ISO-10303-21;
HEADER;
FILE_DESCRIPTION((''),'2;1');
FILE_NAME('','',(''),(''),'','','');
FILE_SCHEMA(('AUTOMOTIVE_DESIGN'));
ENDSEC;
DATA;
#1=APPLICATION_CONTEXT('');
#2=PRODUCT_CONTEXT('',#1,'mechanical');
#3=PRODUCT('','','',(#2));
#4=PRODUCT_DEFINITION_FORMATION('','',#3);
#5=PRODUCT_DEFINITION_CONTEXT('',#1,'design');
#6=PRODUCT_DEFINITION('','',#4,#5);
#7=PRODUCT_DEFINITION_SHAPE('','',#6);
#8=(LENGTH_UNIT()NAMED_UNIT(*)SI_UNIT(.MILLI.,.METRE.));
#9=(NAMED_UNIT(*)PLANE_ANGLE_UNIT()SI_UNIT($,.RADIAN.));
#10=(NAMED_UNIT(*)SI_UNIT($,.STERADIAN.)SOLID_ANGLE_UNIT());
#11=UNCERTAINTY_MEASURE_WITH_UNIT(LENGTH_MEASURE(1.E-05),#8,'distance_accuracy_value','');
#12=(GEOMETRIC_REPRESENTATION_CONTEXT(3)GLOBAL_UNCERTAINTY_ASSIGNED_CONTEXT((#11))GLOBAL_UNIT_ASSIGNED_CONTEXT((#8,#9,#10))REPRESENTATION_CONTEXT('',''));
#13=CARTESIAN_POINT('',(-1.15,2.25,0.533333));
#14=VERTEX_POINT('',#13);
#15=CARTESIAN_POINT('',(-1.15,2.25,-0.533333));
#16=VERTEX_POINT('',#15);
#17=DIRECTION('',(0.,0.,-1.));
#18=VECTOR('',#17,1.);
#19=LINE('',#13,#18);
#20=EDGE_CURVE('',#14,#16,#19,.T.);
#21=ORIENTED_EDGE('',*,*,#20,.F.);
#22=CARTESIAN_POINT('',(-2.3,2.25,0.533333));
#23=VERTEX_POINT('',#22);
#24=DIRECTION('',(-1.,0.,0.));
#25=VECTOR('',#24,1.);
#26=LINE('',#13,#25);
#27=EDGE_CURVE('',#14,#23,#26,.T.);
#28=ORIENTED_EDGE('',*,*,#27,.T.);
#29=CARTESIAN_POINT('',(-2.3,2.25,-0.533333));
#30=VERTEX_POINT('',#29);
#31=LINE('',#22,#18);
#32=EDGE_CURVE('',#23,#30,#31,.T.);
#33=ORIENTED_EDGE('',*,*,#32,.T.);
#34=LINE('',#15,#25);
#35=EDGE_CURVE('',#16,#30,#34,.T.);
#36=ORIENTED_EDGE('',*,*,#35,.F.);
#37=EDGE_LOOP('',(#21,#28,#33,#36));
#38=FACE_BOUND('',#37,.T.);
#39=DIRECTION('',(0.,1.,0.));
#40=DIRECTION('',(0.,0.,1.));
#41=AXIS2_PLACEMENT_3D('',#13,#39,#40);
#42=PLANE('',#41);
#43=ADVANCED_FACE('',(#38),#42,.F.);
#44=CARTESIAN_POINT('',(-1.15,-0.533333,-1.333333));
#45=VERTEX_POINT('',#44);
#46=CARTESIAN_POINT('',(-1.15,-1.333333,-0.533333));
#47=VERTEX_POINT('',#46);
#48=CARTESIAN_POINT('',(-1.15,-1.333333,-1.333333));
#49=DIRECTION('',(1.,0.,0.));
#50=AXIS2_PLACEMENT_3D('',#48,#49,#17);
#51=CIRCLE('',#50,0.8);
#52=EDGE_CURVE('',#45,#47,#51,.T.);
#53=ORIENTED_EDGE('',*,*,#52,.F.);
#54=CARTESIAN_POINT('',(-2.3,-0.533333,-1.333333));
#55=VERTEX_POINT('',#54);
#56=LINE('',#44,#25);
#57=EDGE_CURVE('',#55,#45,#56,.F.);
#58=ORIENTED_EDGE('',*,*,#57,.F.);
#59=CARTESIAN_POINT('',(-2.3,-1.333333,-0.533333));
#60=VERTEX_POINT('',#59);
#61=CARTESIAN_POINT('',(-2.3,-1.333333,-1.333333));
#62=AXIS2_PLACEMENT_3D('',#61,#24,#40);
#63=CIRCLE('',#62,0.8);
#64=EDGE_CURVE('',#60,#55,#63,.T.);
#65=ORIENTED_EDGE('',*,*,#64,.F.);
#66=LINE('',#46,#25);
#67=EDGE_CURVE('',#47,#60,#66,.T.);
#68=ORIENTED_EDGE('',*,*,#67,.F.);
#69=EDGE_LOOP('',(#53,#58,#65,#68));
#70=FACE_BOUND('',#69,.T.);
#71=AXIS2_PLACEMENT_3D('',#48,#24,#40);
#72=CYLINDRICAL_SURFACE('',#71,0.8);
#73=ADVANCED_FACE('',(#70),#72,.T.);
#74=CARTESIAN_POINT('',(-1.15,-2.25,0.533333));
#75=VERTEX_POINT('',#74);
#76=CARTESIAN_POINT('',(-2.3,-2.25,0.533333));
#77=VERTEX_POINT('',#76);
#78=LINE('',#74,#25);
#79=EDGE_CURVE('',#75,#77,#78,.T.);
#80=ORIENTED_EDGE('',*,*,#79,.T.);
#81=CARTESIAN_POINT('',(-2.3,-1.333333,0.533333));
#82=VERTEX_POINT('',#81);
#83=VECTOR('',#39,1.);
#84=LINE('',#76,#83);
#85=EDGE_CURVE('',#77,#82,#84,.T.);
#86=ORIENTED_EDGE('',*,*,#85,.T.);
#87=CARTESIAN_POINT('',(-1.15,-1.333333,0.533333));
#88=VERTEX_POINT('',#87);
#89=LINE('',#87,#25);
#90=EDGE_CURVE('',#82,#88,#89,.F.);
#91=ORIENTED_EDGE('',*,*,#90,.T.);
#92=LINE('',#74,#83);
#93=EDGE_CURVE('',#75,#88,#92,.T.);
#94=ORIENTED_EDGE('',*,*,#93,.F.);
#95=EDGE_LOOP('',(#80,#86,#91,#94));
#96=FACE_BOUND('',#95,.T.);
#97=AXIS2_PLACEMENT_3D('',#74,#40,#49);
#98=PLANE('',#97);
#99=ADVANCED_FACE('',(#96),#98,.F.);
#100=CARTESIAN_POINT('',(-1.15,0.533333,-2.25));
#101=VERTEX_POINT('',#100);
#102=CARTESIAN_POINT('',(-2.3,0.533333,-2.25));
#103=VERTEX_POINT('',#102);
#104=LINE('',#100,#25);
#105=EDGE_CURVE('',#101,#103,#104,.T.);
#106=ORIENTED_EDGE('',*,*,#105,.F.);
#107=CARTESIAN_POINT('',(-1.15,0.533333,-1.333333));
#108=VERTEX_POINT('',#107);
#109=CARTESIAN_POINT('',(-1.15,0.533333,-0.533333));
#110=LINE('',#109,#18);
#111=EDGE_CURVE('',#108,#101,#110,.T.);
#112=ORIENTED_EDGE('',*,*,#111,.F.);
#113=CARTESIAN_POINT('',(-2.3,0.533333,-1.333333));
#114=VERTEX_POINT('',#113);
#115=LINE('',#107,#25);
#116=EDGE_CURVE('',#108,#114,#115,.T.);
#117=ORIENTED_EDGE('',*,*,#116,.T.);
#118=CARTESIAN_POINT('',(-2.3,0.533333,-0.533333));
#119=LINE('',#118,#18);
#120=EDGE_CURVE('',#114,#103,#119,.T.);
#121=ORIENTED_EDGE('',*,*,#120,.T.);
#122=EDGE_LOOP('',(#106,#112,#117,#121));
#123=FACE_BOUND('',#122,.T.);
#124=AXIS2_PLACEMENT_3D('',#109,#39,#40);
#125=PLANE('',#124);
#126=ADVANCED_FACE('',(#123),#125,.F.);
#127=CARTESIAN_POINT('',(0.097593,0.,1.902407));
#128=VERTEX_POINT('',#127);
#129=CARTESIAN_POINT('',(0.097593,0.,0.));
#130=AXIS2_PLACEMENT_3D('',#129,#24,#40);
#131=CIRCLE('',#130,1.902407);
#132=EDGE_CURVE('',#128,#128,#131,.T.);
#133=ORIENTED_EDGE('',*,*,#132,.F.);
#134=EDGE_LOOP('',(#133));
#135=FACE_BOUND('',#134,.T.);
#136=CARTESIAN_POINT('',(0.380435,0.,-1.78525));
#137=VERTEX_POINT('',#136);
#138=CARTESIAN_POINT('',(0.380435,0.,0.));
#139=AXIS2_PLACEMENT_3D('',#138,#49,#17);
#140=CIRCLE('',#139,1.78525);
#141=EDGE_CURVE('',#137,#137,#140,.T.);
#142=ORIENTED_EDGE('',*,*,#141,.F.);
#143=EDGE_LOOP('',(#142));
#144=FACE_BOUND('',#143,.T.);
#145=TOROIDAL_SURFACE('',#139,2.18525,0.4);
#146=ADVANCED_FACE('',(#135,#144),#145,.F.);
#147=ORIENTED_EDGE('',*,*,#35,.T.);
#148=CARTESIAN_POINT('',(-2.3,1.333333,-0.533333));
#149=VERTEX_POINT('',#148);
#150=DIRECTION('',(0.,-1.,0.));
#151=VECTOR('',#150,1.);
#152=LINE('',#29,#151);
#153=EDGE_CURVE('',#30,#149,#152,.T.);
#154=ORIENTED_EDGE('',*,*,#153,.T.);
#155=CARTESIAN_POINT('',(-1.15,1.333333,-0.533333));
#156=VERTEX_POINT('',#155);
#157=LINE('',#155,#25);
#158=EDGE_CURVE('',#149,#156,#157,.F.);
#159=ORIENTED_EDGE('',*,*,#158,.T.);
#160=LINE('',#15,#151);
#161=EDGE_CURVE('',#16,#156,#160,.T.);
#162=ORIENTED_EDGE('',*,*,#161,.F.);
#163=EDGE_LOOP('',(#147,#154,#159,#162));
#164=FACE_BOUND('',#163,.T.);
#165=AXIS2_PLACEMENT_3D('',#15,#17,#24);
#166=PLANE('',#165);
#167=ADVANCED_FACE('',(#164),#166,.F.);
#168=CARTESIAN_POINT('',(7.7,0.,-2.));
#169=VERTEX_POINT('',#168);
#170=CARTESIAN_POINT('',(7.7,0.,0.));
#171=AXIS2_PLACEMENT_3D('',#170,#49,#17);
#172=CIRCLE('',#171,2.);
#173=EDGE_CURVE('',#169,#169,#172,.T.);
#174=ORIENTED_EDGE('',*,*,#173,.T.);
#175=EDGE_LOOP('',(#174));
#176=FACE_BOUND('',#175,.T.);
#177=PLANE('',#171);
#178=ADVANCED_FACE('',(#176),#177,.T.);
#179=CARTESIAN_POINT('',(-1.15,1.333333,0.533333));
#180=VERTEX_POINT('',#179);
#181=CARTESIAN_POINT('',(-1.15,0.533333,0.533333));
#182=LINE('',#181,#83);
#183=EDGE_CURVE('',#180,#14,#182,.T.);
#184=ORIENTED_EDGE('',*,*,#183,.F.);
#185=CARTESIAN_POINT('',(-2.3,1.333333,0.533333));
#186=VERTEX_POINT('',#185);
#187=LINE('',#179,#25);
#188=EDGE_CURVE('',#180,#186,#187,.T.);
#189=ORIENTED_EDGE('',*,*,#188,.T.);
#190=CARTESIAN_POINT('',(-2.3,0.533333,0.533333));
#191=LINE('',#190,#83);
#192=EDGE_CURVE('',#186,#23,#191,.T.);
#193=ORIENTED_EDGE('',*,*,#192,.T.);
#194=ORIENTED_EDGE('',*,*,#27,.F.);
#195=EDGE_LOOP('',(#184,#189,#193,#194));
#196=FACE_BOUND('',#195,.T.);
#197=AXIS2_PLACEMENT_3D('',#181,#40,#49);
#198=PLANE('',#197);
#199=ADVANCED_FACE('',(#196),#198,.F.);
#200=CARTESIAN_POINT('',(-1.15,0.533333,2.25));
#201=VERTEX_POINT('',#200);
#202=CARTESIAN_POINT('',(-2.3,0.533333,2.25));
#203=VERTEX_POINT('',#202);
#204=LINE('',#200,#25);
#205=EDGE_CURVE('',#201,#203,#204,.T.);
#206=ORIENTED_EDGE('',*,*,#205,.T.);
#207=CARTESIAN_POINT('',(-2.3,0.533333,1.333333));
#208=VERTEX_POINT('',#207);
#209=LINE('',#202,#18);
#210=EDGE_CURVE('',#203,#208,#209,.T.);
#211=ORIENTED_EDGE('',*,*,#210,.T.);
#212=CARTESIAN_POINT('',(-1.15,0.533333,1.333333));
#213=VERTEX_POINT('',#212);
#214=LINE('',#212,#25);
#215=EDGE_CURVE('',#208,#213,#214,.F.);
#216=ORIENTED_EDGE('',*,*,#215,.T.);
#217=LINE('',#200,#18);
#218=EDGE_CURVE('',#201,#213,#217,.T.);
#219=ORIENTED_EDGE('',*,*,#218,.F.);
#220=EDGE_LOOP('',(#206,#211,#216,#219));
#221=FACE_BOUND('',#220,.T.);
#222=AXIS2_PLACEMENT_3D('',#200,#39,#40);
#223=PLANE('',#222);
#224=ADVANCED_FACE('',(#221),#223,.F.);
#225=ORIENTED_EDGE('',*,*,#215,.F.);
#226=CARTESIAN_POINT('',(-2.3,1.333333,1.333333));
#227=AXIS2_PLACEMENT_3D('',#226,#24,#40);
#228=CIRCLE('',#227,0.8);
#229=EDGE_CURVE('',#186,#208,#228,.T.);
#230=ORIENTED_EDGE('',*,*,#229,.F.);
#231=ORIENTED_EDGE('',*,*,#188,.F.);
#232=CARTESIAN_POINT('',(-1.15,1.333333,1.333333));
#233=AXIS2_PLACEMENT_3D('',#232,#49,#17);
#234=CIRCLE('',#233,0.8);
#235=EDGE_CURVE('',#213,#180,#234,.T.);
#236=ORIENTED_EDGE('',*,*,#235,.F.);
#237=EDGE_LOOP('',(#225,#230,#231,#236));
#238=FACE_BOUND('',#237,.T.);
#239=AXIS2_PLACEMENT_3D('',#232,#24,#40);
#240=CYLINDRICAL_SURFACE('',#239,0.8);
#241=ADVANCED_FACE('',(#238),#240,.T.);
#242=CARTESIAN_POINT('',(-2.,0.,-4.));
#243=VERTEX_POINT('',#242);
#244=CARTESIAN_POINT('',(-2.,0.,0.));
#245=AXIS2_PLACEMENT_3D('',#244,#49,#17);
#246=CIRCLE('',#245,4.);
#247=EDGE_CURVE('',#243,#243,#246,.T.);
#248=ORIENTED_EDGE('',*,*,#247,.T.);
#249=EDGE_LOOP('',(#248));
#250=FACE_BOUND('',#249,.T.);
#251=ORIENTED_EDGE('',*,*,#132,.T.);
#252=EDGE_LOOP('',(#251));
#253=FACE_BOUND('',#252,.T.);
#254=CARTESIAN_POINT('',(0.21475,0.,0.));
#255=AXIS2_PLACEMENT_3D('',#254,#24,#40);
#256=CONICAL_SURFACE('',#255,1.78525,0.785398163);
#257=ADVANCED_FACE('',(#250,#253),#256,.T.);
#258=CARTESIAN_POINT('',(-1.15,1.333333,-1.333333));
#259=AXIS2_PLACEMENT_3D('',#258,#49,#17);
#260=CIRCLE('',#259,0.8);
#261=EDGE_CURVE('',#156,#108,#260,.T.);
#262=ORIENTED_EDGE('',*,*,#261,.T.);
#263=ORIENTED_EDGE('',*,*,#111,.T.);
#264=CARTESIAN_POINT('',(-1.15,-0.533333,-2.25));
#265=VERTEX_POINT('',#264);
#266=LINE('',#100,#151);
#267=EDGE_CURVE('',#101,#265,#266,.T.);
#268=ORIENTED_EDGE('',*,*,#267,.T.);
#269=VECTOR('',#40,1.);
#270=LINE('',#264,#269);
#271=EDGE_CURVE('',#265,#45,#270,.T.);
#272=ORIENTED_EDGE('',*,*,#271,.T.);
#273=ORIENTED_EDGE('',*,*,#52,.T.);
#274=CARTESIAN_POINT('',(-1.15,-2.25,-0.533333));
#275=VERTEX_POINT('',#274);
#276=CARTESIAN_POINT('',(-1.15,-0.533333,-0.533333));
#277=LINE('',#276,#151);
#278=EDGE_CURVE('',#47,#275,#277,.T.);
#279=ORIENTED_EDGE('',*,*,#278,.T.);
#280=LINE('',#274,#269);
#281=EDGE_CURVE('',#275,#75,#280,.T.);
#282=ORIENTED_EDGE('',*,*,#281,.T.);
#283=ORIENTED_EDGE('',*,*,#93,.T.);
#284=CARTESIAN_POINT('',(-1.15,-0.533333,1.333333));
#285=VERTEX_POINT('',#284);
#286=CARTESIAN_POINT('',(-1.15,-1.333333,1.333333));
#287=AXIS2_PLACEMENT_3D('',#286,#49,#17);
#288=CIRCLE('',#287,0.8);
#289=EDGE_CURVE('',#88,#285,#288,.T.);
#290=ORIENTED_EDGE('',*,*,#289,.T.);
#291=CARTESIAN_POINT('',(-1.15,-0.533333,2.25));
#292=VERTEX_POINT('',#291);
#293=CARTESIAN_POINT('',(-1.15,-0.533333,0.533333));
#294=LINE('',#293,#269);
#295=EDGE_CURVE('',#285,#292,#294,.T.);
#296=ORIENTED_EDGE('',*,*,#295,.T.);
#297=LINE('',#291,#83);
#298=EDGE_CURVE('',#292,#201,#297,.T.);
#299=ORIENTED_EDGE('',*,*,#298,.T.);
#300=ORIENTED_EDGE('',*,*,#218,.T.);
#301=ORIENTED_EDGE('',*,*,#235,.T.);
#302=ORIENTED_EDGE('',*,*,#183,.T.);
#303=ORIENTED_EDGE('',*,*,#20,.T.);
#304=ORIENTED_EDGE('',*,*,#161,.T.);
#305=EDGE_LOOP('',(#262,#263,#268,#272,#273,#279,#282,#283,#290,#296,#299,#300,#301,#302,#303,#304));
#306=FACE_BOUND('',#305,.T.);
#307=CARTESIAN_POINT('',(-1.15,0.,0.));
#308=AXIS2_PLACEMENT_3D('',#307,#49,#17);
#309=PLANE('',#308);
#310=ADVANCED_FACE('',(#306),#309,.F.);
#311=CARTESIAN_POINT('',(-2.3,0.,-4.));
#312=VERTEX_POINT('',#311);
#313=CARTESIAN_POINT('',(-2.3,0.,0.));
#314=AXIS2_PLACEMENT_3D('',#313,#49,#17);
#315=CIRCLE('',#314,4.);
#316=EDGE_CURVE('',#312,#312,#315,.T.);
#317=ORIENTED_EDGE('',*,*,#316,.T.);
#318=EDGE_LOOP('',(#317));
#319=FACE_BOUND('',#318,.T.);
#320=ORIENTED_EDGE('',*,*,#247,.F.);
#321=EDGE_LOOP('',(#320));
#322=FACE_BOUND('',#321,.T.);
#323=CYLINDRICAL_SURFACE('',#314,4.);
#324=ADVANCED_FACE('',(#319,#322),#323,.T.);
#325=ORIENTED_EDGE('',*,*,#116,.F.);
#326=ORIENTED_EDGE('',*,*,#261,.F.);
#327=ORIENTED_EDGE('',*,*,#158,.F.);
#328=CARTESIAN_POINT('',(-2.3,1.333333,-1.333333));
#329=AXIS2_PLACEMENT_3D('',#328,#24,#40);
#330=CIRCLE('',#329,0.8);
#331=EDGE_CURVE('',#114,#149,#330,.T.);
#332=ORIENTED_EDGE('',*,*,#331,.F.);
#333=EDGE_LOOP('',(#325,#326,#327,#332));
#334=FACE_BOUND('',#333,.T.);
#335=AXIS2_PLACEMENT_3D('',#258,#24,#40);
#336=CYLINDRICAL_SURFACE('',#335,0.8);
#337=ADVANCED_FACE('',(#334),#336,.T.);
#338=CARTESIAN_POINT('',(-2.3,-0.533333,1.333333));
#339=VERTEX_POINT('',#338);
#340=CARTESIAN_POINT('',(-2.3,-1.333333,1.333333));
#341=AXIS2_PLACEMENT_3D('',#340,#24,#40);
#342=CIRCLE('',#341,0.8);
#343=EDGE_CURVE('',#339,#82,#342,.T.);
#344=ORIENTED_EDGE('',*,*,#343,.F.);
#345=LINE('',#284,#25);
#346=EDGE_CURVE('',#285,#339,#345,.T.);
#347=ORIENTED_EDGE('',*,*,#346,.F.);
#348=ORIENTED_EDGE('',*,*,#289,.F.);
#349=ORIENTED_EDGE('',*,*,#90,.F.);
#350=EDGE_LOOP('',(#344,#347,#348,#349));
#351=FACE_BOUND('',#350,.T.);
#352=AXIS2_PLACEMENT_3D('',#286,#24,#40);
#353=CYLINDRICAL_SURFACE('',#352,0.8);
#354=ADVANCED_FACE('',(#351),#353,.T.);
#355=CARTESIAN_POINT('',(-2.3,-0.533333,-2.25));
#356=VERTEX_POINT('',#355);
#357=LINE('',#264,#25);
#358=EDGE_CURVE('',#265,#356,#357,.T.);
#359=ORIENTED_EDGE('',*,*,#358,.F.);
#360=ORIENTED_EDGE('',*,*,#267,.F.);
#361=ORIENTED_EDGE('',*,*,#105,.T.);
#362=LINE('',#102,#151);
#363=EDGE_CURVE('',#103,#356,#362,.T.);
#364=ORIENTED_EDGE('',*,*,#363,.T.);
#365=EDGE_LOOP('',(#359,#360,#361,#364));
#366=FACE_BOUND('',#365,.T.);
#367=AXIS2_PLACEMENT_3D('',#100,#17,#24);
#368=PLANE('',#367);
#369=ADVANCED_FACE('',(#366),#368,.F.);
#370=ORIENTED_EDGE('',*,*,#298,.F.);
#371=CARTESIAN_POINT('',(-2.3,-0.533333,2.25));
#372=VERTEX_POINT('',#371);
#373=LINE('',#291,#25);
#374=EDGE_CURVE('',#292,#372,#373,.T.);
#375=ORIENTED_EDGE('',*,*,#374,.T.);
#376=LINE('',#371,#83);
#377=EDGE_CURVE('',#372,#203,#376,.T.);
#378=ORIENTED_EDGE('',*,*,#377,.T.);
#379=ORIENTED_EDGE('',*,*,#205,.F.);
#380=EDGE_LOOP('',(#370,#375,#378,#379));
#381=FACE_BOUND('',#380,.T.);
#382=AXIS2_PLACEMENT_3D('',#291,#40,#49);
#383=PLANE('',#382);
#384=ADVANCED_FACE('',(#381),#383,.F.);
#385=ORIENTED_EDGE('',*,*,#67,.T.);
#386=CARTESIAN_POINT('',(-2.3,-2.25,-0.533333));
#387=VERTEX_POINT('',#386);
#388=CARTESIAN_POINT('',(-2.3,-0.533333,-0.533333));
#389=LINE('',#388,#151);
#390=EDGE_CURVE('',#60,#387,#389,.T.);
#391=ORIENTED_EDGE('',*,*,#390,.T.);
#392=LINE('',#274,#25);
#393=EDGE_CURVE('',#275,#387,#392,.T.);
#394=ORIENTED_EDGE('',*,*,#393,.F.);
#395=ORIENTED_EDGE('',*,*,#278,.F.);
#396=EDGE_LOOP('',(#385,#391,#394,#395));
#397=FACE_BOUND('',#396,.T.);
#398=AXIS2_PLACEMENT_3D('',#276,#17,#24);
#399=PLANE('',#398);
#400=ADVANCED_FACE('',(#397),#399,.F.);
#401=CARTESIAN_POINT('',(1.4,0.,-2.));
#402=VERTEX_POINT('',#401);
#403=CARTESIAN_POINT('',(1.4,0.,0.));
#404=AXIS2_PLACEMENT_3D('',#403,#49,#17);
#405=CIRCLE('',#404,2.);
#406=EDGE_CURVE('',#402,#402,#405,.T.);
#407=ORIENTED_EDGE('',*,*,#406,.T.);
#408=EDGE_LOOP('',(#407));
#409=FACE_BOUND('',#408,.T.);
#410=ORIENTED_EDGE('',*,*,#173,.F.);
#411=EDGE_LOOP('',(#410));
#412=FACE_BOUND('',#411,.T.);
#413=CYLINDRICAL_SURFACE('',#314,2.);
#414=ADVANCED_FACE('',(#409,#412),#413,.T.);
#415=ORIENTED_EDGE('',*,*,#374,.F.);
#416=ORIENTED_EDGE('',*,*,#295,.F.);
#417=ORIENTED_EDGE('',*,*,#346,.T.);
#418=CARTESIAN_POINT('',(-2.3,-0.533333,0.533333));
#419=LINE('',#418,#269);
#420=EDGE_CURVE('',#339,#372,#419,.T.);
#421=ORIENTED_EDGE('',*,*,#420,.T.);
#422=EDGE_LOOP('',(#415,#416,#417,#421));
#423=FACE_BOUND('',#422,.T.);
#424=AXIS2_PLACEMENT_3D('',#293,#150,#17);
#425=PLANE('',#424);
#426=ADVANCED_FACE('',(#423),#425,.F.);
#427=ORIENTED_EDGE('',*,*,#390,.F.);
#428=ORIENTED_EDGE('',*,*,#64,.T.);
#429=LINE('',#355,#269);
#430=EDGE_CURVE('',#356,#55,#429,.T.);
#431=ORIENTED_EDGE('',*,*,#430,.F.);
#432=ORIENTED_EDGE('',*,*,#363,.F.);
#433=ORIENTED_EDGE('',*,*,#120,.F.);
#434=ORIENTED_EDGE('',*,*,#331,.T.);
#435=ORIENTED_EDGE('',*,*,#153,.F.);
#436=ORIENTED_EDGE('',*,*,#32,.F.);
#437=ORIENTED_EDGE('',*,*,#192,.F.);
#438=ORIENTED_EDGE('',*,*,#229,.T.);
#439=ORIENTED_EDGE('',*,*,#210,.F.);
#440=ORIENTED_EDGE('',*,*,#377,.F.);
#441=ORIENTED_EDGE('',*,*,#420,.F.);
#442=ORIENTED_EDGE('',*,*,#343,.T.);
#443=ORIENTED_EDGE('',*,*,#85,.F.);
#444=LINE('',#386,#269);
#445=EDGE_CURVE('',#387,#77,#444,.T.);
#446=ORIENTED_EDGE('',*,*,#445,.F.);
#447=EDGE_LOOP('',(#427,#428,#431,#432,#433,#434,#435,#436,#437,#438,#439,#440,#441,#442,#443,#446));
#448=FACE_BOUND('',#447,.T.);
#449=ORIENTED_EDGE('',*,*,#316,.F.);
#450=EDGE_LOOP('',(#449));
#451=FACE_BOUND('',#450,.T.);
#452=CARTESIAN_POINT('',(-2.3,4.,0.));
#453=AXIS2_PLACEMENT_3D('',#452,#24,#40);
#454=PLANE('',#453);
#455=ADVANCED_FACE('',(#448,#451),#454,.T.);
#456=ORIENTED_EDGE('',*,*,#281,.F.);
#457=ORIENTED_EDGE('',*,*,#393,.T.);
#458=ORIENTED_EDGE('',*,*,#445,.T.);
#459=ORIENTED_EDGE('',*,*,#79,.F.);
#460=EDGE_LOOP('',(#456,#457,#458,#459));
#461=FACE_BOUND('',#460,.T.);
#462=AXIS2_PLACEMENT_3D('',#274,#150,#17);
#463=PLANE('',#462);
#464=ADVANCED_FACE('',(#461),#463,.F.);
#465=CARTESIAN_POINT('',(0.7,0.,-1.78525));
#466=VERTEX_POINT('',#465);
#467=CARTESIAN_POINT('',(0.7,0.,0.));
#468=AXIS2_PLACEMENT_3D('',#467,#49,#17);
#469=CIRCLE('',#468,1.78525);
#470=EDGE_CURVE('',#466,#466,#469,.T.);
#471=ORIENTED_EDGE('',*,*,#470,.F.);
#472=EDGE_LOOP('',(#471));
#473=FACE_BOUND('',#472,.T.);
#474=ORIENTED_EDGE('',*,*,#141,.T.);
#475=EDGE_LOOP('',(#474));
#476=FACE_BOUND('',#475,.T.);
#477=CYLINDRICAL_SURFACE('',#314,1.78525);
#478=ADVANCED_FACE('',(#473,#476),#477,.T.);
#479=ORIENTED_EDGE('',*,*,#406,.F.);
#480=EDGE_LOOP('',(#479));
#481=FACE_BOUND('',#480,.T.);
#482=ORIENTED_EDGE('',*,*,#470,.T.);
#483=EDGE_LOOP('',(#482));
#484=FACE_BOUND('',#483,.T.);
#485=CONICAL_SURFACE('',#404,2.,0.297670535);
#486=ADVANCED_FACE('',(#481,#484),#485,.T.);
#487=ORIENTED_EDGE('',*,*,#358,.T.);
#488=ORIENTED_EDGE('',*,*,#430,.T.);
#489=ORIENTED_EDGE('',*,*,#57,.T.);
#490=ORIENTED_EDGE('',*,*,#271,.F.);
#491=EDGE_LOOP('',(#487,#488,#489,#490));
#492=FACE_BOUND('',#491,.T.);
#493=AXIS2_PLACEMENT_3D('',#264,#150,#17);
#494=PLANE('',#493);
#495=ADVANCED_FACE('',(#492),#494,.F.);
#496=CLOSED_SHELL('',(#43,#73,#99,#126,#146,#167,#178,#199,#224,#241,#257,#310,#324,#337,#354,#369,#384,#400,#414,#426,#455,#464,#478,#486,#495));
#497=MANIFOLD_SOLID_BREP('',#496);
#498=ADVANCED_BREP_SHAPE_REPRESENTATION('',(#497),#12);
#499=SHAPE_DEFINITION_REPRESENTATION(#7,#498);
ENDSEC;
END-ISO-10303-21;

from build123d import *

# Parameters (mm, degrees)
CUT_EXTRUDE_1_DEPTH = 1.15
FILLET_1_R          = 0.4
FILLET_2_R          = 0.8


with BuildPart() as part:
    # 草圖1 → 旋轉1 (revolve)
    with BuildSketch(Plane.XY, mode=Mode.PRIVATE) as revolve_1_sk:
        Polygon((-2.3, 4), (-2.3, 0), (7.7, 0), (7.7, 2), (1.4, 2), (0.7, 1.78525), (0.21475, 1.78525), (-2, 4), align=None)
    revolve(revolve_1_sk.sketch.rotate(Axis((-2.3, 0, 0), (1, 0, 0)), 270), axis=Axis((-2.3, 0, 0), (1, 0, 0)))

    # 草圖2 → 除料-伸長1 (cut)
    with BuildSketch(Plane.ZY.offset(2.3)):
        Polygon((0.533333333, -0.533333333), (2.25, -0.533333333), (2.25, 0.533333333), (0.533333333, 0.533333333), (0.533333333, 2.25), (-0.533333333, 2.25), (-0.533333333, 0.533333333), (-2.25, 0.533333333), (-2.25, -0.533333333), (-0.533333333, -0.533333333), (-0.533333333, -2.25), (0.533333333, -2.25), align=None)
    extrude(amount=-CUT_EXTRUDE_1_DEPTH, mode=Mode.SUBTRACT)

    # 圓角1
    fillet_1_edges = [part.edges().sort_by_distance(p)[0] for p in [
        (0.21475, 0, 1.78525),
    ]]
    fillet(fillet_1_edges, radius=FILLET_1_R)

    # 圓角2
    fillet_2_edges = [part.edges().sort_by_distance(p)[0] for p in [
        (-1.725, -0.533333333, 0.533333333),
        (-1.725, -0.533333333, -0.533333333),
        (-1.725, 0.533333333, -0.533333333),
        (-1.725, 0.533333333, 0.533333333),
    ]]
    fillet(fillet_2_edges, radius=FILLET_2_R)


solid = part.part
